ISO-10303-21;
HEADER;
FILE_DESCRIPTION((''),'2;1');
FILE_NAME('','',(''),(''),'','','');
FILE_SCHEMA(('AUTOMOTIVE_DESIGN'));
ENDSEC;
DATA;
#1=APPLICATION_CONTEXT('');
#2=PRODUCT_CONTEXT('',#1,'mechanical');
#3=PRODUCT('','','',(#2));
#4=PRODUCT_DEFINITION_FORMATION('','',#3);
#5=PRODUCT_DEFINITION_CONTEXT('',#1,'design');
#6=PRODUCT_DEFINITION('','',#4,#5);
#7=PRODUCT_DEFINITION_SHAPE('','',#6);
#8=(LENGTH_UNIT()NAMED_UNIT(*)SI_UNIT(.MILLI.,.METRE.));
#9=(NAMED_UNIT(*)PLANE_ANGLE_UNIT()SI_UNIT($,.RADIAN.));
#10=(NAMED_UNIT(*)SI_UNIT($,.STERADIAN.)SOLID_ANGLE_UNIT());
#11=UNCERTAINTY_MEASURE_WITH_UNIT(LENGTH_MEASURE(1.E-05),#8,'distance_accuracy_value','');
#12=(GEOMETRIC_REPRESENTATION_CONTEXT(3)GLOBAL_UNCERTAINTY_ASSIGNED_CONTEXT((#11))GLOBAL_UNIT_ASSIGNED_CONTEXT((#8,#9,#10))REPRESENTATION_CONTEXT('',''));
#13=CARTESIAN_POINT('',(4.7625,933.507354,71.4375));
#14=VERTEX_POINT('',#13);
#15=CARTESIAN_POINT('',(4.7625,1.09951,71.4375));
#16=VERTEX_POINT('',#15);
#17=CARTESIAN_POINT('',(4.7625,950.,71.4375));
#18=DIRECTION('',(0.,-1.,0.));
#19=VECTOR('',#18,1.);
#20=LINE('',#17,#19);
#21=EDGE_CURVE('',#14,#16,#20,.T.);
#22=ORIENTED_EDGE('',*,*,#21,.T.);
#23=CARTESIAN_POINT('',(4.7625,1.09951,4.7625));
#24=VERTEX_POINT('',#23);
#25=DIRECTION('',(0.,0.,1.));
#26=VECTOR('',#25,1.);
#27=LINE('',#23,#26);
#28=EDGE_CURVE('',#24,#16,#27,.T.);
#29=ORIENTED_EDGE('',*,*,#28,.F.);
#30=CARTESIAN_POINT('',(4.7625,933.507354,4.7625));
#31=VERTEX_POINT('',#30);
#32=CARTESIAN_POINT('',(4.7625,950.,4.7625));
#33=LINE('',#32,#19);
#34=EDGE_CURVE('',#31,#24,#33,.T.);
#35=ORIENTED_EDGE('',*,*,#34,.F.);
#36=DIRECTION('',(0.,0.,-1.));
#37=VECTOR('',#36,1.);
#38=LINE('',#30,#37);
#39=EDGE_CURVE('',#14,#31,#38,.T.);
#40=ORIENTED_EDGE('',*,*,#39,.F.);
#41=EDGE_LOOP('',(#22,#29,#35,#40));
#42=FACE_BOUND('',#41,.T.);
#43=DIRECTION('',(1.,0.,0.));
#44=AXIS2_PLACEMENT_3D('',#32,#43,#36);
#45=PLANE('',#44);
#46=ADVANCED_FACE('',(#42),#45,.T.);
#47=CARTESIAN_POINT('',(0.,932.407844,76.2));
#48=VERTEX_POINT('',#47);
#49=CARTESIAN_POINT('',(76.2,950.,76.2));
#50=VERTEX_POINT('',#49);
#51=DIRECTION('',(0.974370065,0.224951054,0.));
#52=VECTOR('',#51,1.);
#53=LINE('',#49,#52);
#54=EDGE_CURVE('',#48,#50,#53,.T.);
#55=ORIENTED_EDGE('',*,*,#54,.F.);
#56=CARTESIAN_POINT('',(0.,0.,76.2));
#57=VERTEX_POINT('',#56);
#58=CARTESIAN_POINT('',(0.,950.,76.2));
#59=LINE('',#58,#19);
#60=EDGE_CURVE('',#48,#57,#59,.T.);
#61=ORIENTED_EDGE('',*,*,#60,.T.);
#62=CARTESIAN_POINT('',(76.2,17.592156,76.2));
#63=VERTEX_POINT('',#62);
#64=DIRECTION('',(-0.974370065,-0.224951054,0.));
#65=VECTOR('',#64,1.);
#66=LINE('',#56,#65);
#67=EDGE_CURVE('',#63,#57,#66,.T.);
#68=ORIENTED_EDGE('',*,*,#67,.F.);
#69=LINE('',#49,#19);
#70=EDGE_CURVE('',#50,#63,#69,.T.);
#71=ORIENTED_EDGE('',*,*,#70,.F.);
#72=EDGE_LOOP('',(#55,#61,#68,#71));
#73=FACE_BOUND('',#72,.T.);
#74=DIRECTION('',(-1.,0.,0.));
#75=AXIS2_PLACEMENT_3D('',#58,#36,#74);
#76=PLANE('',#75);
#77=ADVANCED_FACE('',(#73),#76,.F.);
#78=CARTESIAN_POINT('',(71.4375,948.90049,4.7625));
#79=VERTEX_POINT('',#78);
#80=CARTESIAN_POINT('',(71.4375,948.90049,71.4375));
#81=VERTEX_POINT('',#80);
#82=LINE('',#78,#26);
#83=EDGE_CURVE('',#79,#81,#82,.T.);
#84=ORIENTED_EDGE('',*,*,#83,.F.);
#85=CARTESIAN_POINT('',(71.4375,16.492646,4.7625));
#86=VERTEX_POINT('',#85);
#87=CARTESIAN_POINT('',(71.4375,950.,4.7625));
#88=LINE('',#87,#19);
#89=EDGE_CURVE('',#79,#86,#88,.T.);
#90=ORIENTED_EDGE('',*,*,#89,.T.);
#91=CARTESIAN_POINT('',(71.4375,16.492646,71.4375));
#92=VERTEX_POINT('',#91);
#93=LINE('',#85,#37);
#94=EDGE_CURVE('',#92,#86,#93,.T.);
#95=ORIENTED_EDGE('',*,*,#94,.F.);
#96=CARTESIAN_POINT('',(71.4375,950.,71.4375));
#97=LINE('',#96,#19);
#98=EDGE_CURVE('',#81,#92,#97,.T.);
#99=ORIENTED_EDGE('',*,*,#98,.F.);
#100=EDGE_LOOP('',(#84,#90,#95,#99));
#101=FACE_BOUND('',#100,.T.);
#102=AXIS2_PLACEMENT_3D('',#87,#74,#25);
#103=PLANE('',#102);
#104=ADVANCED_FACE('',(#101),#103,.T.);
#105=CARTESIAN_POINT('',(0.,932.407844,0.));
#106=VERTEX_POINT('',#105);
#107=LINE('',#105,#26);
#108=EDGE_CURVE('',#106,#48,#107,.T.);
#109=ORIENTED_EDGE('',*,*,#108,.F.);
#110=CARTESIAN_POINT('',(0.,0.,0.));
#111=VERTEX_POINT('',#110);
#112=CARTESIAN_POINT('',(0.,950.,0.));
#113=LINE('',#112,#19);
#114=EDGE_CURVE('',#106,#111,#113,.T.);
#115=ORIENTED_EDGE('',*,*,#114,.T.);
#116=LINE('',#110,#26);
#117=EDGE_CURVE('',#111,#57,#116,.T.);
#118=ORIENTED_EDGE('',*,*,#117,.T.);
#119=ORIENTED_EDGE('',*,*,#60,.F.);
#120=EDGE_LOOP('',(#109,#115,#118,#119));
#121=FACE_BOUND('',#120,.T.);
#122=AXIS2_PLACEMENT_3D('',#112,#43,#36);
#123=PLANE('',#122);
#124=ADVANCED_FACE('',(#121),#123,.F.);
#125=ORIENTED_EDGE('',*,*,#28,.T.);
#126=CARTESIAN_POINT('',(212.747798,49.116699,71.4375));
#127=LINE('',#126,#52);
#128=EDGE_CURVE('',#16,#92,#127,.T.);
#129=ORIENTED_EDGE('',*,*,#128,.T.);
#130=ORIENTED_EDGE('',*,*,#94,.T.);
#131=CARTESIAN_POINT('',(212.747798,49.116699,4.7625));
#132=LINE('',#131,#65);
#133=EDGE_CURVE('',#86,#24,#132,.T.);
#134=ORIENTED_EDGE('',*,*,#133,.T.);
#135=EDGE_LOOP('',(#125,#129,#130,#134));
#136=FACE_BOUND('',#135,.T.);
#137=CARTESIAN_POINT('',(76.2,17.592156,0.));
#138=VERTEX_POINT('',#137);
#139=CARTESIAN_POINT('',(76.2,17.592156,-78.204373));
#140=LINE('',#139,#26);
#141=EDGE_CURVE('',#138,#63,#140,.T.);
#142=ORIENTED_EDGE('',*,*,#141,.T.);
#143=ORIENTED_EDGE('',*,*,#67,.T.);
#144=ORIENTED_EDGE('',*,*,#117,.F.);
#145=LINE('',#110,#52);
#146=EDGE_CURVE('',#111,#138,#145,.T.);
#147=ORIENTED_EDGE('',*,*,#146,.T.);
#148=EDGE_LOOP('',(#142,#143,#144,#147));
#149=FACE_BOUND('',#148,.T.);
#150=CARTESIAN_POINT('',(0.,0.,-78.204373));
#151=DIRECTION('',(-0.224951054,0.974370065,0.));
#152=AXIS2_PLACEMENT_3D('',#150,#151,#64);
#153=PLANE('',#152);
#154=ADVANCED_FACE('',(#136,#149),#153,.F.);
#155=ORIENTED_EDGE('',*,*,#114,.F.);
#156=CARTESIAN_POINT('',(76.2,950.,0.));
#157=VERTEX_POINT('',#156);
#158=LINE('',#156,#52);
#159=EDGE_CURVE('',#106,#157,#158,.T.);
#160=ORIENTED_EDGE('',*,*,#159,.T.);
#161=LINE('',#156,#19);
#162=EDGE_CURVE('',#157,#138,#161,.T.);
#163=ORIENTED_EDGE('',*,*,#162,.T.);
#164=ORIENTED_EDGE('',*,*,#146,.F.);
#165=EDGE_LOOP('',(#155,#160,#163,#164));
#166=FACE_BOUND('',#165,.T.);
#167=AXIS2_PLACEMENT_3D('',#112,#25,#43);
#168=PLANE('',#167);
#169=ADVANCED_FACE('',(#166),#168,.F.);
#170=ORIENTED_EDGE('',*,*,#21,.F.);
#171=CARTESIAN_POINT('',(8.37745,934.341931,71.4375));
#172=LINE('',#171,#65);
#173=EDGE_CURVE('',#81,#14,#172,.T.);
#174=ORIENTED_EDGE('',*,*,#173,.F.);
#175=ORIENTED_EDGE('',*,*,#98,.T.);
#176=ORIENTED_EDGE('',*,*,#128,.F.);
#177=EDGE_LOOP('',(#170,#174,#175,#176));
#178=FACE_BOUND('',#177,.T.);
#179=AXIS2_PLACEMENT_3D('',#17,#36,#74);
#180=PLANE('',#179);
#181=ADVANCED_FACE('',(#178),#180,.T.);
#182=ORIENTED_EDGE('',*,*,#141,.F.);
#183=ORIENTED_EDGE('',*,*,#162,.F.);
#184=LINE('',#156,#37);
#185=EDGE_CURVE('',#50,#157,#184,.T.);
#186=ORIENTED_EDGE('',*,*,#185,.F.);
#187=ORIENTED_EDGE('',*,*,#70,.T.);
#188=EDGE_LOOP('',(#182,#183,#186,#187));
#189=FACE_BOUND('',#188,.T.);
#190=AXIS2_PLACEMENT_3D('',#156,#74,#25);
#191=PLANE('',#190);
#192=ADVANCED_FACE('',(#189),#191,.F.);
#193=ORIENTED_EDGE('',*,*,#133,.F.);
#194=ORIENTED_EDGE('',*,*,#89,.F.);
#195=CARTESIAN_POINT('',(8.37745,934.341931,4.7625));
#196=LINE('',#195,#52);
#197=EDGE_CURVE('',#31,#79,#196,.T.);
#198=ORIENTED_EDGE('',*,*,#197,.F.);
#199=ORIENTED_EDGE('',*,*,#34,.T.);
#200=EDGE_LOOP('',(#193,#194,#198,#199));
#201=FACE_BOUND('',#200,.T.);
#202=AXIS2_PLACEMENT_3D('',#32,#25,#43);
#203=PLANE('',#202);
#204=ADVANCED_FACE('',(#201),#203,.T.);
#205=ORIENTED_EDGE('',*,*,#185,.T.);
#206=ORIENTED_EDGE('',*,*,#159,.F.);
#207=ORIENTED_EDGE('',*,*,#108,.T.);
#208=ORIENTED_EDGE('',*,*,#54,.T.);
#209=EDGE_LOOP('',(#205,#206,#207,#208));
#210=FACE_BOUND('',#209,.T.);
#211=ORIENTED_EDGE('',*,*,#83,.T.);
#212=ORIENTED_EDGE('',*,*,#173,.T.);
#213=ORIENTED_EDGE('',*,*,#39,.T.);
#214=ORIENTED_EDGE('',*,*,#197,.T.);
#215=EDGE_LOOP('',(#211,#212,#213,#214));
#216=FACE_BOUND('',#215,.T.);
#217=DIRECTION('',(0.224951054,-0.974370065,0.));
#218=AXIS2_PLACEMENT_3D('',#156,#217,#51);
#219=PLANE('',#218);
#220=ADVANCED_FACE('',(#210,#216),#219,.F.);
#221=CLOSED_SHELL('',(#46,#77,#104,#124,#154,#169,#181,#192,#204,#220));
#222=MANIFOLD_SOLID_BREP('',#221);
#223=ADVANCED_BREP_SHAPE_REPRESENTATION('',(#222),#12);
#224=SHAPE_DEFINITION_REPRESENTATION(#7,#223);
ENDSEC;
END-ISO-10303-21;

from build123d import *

# Parameters (mm, degrees)
CROQUIS1_W              = 76.2
CROQUIS1_H              = 76.2
CROQUIS1_W_2            = 66.675
CROQUIS1_H_2            = 66.675
SALIENTE_EXTRUIR1_DEPTH = 950
CORTAR_EXTRUIR1_REACH   = 958.093
CORTAR_EXTRUIR2_DEPTH   = 76.2


with BuildPart() as part:
    # Croquis1 → Saliente-Extruir1 (new body)
    with BuildSketch(Plane(origin=(0, 0, 0), x_dir=(1, 0, 0), z_dir=(0, 1, 0))):
        with Locations((38.1, -38.1)):
            Rectangle(CROQUIS1_W, CROQUIS1_H)
        with Locations((38.1, -38.1)):
            Rectangle(CROQUIS1_W_2, CROQUIS1_H_2, mode=Mode.SUBTRACT)
    extrude(amount=SALIENTE_EXTRUIR1_DEPTH)

    # Cortar-Extruir1: up to this face of the body (flat: up to its plane)
    cortar_extruir1_end = Plane(part.part.faces().sort_by_distance((38.1, 475, 0))[0])
    # Croquis2 → Cortar-Extruir1 (cut, up to the picked face)
    with BuildSketch(Plane.XY.offset(76.2), mode=Mode.PRIVATE) as cortar_extruir1_sk1:
        Polygon((0, 0), (76.2, 17.592156164), (76.2, 0), align=None)
    cortar_extruir1_tool1 = split(extrude(cortar_extruir1_sk1.sketch, amount=-CORTAR_EXTRUIR1_REACH, mode=Mode.PRIVATE), bisect_by=cortar_extruir1_end, keep=Keep.BOTH, mode=Mode.PRIVATE)
    add(cortar_extruir1_tool1.solids().sort_by(Axis((50.8, 5.864052, 76.2), (0, 0, -1)))[0], mode=Mode.SUBTRACT)

    # Croquis3 → Cortar-Extruir2 (cut)
    with BuildSketch(Plane.XY.offset(76.2)):
        Polygon((76.2, 950), (0, 932.407843836), (0, 950), align=None)
    extrude(amount=-CORTAR_EXTRUIR2_DEPTH, mode=Mode.SUBTRACT)


solid = part.part
